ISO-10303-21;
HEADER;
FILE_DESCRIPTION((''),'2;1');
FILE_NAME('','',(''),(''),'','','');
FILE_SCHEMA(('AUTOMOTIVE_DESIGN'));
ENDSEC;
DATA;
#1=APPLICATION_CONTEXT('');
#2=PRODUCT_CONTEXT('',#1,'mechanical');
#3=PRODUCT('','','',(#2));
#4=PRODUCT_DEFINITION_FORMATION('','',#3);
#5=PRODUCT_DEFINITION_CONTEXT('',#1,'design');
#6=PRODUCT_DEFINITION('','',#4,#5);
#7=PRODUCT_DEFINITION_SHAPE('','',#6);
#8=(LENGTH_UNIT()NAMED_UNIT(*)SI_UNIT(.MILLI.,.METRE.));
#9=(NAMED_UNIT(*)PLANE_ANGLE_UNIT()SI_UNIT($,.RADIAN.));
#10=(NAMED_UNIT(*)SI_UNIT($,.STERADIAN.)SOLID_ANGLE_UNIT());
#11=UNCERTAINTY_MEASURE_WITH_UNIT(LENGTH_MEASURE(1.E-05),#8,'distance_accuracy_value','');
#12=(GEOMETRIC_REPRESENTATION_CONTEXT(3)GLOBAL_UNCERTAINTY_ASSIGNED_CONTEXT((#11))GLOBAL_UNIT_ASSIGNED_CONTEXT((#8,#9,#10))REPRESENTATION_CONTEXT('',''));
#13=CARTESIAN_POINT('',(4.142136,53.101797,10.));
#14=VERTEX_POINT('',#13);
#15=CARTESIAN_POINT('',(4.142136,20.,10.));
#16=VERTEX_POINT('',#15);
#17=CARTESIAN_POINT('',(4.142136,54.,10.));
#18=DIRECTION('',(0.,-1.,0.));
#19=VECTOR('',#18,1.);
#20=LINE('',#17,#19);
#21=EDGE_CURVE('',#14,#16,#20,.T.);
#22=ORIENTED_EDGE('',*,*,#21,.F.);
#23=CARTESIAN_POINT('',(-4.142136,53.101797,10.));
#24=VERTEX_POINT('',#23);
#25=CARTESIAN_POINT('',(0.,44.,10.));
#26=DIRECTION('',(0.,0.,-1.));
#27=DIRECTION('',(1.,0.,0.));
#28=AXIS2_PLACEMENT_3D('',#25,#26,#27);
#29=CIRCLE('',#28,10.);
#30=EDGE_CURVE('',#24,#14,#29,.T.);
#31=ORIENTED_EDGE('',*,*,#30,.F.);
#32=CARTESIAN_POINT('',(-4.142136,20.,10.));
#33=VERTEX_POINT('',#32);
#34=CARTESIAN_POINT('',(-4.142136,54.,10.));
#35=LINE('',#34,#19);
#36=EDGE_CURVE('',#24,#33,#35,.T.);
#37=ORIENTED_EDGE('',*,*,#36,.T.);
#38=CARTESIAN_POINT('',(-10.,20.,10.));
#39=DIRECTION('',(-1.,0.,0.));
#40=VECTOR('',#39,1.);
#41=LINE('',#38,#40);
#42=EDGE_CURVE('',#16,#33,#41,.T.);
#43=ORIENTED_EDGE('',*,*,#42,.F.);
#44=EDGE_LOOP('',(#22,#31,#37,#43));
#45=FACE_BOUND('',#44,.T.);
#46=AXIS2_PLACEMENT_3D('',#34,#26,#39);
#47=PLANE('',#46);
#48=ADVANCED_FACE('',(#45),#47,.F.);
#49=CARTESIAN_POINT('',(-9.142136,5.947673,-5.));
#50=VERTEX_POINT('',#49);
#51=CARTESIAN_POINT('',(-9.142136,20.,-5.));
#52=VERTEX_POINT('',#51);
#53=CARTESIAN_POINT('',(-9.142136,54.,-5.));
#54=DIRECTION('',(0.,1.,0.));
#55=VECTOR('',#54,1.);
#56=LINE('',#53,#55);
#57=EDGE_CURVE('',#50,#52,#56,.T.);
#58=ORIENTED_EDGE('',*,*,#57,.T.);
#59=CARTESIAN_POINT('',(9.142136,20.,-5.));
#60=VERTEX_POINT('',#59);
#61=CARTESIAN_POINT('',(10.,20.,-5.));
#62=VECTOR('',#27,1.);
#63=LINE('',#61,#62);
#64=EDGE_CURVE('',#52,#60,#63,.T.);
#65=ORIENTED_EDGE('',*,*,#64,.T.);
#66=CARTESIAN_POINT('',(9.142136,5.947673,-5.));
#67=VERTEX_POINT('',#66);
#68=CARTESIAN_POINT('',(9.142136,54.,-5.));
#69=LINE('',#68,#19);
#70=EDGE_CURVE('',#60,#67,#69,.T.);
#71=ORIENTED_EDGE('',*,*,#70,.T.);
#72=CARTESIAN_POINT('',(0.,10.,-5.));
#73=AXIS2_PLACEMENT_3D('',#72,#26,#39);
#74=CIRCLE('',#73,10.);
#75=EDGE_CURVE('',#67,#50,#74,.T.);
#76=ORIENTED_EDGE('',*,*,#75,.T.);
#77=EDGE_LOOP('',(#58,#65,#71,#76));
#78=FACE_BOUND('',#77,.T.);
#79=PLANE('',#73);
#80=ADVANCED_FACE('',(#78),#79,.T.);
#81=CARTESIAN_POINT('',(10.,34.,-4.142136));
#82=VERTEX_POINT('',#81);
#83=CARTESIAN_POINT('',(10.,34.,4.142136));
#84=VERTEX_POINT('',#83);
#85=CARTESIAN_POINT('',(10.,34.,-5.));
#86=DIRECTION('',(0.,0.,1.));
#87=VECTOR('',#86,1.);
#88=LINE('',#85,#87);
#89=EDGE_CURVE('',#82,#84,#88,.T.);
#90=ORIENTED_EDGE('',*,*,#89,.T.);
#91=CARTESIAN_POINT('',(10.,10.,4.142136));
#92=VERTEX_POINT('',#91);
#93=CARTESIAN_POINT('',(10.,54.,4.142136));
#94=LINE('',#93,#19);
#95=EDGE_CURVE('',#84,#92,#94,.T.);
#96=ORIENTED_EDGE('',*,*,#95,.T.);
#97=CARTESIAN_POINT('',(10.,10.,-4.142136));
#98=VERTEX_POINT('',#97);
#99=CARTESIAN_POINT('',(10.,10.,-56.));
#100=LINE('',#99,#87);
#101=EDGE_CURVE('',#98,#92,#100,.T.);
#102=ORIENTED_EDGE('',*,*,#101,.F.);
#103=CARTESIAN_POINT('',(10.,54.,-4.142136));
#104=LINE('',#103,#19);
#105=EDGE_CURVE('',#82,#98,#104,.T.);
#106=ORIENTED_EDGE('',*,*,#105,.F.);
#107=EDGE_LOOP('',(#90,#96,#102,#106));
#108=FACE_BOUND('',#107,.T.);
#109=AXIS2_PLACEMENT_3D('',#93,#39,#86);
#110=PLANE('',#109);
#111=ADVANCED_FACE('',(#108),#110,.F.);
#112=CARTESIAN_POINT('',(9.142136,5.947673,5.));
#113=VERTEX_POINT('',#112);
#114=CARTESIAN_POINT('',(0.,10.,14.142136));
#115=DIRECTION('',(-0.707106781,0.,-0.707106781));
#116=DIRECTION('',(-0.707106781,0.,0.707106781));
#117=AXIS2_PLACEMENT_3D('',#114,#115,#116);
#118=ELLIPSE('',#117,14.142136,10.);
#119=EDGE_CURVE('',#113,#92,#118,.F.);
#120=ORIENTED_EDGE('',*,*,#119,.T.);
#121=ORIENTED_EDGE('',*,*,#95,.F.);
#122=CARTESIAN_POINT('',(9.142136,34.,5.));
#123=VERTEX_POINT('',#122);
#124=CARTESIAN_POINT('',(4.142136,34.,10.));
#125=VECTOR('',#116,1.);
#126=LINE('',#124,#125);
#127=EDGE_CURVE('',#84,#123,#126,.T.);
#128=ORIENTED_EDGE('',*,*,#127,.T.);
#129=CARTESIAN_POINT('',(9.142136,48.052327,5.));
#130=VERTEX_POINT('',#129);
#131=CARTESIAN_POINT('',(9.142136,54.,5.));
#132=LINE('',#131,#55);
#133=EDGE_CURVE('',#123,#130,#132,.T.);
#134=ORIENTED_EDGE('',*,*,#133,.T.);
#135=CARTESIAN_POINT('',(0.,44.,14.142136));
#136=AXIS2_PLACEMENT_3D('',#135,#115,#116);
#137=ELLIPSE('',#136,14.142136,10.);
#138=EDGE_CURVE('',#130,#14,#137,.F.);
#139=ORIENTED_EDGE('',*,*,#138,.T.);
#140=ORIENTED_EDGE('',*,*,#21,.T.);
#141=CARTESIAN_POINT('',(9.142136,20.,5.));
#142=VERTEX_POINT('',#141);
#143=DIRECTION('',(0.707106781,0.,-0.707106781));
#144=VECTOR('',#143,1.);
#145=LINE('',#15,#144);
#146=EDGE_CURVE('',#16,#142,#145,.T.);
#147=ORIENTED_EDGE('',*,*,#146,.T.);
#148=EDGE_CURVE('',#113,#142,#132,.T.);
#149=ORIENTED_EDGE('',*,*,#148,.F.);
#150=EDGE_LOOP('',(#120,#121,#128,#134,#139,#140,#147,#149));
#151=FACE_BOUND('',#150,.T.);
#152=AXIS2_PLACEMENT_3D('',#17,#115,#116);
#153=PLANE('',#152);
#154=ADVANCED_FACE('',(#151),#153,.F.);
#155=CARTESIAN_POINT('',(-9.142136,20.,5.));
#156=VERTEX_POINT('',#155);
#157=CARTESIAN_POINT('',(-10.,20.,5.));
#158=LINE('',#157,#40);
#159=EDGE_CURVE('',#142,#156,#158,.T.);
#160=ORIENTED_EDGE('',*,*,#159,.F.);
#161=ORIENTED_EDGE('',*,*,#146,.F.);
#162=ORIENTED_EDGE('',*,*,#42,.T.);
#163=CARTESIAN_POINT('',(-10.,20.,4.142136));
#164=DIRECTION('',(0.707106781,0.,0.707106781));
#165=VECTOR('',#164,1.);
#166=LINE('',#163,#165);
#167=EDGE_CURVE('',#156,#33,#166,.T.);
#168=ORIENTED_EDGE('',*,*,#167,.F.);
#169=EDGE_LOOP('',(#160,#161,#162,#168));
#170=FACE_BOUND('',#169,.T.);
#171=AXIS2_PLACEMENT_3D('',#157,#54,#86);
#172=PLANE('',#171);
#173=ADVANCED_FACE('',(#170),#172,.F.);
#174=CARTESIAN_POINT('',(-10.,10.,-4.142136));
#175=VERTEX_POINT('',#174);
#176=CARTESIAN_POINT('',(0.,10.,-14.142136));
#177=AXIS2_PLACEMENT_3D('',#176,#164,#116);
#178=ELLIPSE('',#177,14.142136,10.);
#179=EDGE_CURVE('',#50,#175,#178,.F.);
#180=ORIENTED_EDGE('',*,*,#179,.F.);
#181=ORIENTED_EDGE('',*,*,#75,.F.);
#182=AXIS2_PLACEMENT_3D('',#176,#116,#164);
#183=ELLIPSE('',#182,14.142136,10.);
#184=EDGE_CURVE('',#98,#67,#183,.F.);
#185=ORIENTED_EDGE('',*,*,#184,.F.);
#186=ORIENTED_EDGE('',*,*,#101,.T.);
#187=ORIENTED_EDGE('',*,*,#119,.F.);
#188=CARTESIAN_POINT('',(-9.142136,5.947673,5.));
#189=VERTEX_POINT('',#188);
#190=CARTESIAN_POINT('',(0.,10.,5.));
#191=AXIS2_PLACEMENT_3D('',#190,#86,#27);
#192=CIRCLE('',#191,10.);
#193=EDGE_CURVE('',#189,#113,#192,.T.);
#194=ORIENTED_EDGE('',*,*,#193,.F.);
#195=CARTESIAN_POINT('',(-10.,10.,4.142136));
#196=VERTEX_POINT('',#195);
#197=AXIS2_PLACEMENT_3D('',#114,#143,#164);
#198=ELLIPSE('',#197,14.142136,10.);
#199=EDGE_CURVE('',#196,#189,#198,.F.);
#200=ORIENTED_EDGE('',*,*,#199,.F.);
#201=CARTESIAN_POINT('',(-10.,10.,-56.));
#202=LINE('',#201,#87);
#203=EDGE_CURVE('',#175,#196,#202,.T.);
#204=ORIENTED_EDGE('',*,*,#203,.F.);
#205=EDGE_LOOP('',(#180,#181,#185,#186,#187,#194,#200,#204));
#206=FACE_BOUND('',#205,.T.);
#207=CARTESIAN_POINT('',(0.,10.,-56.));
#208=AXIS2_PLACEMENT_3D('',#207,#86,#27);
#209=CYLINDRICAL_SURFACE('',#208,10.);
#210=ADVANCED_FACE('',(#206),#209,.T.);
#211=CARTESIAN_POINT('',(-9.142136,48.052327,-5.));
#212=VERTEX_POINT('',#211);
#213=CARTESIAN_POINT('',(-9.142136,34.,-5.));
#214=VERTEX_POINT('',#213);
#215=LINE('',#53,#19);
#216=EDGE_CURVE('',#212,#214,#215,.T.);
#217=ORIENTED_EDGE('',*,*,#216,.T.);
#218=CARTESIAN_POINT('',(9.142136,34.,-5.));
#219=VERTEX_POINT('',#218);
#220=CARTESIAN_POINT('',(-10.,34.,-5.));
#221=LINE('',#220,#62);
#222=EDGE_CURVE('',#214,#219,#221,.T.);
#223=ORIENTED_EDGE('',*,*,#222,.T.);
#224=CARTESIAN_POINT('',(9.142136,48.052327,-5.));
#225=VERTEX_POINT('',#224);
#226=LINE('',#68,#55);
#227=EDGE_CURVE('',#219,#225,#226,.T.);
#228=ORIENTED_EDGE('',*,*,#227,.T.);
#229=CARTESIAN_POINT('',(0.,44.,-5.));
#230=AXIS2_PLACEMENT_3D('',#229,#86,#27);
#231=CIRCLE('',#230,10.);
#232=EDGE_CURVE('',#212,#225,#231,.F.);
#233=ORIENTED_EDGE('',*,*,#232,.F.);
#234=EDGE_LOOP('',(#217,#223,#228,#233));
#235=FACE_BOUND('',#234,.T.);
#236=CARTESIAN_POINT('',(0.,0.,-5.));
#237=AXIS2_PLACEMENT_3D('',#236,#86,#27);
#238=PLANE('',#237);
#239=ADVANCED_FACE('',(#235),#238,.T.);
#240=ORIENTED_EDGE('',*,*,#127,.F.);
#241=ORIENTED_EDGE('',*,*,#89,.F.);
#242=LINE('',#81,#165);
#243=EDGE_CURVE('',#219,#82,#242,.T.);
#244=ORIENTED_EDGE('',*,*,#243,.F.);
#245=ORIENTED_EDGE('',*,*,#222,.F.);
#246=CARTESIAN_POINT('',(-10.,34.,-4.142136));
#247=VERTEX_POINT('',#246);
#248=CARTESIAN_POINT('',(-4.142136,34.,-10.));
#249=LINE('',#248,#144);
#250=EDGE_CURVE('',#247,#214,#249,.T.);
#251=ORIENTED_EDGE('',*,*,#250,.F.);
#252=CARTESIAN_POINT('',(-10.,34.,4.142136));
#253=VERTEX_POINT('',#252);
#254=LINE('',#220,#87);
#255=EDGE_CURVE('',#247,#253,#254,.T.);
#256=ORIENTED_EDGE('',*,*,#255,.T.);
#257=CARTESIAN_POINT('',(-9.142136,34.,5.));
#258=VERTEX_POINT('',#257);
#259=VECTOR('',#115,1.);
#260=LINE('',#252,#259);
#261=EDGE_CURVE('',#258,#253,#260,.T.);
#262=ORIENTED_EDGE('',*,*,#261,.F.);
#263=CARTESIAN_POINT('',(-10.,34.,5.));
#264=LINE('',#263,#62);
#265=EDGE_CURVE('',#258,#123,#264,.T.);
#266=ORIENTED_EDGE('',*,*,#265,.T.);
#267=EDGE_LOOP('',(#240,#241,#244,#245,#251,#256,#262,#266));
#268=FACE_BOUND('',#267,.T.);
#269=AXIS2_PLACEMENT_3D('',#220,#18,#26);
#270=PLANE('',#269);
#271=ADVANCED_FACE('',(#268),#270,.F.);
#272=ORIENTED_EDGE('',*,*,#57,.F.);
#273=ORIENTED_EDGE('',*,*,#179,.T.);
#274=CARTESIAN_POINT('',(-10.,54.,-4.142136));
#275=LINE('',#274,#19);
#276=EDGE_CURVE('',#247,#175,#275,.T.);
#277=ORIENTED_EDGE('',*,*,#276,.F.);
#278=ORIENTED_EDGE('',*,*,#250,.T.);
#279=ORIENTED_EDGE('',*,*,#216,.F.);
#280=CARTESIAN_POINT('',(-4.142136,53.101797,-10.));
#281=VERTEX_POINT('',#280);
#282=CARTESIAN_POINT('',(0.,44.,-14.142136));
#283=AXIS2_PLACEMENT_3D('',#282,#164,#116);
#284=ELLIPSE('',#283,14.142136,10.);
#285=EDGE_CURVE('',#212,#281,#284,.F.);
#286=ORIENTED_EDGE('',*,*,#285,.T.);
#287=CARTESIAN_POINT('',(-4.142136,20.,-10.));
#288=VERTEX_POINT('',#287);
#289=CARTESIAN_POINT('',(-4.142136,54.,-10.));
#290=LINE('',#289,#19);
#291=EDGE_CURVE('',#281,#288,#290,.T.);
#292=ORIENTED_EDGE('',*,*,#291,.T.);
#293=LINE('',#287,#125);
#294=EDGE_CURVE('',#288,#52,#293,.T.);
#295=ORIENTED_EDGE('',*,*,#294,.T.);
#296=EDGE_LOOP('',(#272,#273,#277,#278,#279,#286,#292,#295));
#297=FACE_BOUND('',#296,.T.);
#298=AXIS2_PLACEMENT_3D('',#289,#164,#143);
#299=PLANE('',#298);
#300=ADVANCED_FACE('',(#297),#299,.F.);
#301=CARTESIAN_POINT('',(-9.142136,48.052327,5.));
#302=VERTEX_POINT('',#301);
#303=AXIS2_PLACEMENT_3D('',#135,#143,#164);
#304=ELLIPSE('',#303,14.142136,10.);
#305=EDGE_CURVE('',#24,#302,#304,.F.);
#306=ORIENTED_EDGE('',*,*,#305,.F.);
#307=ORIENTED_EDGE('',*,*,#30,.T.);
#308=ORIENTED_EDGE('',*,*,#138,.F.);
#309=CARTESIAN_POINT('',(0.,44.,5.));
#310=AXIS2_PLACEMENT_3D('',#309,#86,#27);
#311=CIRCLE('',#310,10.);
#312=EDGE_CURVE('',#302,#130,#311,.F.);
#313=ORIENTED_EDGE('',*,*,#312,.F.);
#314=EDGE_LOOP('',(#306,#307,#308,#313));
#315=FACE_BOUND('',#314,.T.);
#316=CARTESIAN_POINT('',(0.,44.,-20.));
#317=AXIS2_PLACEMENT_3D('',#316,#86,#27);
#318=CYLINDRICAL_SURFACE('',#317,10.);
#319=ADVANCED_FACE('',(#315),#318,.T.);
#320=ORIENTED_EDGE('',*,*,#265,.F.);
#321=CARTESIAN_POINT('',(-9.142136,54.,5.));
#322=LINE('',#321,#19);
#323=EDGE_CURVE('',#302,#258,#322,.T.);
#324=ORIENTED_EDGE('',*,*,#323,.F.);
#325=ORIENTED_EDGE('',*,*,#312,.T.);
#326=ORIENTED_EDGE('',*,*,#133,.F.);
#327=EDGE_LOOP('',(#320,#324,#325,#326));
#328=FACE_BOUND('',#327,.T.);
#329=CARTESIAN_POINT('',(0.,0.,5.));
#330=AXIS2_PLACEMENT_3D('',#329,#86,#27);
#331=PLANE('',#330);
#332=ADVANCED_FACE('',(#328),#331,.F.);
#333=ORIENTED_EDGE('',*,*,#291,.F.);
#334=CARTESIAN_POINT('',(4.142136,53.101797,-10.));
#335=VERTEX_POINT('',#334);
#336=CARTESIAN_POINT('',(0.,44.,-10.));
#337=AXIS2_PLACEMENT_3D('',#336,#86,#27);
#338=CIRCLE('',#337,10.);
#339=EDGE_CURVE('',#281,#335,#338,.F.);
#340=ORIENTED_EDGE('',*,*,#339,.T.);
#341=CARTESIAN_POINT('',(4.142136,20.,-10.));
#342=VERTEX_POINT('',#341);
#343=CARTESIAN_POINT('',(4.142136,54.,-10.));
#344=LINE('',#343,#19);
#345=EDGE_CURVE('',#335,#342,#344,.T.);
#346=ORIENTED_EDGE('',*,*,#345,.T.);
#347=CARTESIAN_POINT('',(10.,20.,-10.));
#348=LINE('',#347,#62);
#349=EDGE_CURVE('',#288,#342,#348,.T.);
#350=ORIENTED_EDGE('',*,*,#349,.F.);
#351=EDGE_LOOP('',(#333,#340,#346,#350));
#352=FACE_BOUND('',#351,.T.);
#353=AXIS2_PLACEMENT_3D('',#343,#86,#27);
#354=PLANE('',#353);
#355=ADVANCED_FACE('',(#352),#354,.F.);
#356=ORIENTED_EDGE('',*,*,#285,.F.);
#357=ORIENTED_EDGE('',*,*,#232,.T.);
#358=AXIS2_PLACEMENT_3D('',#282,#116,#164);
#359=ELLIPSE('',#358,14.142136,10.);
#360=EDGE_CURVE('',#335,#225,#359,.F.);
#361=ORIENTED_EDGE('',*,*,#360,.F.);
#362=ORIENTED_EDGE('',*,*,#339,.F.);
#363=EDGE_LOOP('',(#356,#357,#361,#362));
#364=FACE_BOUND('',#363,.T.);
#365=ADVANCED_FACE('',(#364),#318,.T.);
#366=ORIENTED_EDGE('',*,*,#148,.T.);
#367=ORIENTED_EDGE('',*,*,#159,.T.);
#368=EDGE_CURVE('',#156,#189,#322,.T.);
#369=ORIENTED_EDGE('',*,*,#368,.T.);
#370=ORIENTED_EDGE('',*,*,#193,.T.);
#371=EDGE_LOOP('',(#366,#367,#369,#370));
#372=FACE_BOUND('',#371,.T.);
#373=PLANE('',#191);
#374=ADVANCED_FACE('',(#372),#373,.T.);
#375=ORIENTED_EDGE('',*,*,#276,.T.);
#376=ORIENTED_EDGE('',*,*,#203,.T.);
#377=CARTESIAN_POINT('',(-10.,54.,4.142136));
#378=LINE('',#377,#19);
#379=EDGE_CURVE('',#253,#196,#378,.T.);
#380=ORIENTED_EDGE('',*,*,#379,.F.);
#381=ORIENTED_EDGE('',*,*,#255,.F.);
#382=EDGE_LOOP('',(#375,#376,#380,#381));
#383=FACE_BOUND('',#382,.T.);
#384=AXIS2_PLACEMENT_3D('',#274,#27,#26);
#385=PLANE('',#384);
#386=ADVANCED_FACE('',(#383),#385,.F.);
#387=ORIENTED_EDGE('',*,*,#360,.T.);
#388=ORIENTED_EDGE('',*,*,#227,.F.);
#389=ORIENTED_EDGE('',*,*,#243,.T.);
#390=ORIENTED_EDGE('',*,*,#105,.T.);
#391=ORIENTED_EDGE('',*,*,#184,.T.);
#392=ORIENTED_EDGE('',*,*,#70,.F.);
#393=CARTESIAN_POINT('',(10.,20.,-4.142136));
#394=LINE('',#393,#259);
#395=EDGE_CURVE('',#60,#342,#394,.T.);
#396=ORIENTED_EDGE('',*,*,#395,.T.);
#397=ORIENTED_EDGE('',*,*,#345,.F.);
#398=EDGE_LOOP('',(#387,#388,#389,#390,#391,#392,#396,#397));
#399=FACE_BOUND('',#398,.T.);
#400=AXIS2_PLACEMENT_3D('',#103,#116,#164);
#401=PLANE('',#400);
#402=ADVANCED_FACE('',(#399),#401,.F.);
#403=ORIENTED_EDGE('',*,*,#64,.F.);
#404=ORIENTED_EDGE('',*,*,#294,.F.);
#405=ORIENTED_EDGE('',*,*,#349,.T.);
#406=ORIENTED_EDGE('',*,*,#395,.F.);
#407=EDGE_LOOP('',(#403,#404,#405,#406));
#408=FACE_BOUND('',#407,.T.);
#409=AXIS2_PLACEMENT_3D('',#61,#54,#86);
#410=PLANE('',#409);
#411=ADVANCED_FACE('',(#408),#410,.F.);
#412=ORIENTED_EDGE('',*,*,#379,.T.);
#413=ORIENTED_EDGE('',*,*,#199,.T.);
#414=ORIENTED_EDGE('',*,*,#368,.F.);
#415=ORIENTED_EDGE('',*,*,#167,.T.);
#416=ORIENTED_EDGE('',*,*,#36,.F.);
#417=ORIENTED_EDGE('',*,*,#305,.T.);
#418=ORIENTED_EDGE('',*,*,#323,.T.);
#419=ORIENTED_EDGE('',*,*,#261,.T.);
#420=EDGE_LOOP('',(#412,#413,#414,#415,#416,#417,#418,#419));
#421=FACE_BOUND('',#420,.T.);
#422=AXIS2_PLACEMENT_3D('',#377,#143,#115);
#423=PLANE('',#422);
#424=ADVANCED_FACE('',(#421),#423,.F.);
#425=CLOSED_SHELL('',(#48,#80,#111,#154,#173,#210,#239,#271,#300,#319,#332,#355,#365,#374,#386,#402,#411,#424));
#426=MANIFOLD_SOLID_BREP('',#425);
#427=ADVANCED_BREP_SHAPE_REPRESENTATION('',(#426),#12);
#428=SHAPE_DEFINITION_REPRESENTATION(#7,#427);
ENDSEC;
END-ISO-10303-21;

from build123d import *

# Parameters (mm, degrees)
EXTRUDE_1_DEPTH     = 54
CUT_EXTRUDE_1_DEPTH = 66
CUT_EXTRUDE_2_DEPTH = 5
CUT_EXTRUDE_START   = -5
CUT_EXTRUDE_3_DEPTH = 5
SKETCH_6_W          = 20
SKETCH_6_H          = 20
CUT_EXTRUDE_4_DEPTH = 5
CUT_EXTRUDE_5_DEPTH = 30


with BuildPart() as part:
    # 草图1 → 凸台-拉伸1 (new body)
    with BuildSketch(Plane(origin=(0, 0, 0), x_dir=(1, 0, 0), z_dir=(0, 1, 0))):
        Polygon((10, 4.142135624), (4.142135624, 10), (-4.142135624, 10), (-10, 4.142135624), (-10, -4.142135624), (-4.142135624, -10), (4.142135624, -10), (10, -4.142135624), align=None)
    extrude(amount=EXTRUDE_1_DEPTH)

    # 草图2 → 切除-拉伸1 (cut)
    with BuildSketch(Plane.XY.offset(10)):
        with BuildLine():
            Line((-10, 10), (-10, -2.389295552))
            Line((-10, -2.389295552), (10, -2.389295552))
            Line((10, -2.389295552), (10, 10))
            ThreePointArc((10, 10), (0, 0), (-10, 10))
        make_face()
    extrude(amount=-CUT_EXTRUDE_1_DEPTH, mode=Mode.SUBTRACT)

    # 草图4 → 切除-拉伸2 (cut)
    with BuildSketch(Plane.XY.offset(10)):
        with BuildLine():
            Line((-10, 10), (-10, 20))
            Line((-10, 20), (10, 20))
            Line((10, 20), (10, 10))
            ThreePointArc((10, 10), (0, 0), (-10, 10))
        make_face()
    extrude(amount=-CUT_EXTRUDE_2_DEPTH, mode=Mode.SUBTRACT)

    # 草图5 → 切除-拉伸3 (cut)
    with BuildSketch(Plane(origin=(0, 0, -10), x_dir=(-1, 0, 0), z_dir=(0, 0, -1)).offset(CUT_EXTRUDE_START)):
        with BuildLine():
            Line((-10, 10), (-10, 20))
            Line((-10, 20), (10, 20))
            Line((10, 20), (10, 10))
            ThreePointArc((10, 10), (0, 0), (-10, 10))
        make_face()
    extrude(amount=CUT_EXTRUDE_3_DEPTH, mode=Mode.SUBTRACT)

    # 草图6 → 切除-拉伸4 (cut, symmetric)
    with BuildSketch(Plane.XY):
        with Locations((0, 44)):
            Rectangle(SKETCH_6_W, SKETCH_6_H)
    extrude(amount=CUT_EXTRUDE_4_DEPTH, both=True, mode=Mode.SUBTRACT)

    # 草图7 → 切除-拉伸5 (cut)
    with BuildSketch(Plane.XY.offset(10)):
        with BuildLine():
            Line((-10, 44), (-10, 63.661192365))
            Line((-10, 63.661192365), (10, 63.661192365))
            Line((10, 63.661192365), (10, 44))
            ThreePointArc((10, 44), (0, 54), (-10, 44))
        make_face()
    extrude(amount=-CUT_EXTRUDE_5_DEPTH, mode=Mode.SUBTRACT)


solid = part.part
